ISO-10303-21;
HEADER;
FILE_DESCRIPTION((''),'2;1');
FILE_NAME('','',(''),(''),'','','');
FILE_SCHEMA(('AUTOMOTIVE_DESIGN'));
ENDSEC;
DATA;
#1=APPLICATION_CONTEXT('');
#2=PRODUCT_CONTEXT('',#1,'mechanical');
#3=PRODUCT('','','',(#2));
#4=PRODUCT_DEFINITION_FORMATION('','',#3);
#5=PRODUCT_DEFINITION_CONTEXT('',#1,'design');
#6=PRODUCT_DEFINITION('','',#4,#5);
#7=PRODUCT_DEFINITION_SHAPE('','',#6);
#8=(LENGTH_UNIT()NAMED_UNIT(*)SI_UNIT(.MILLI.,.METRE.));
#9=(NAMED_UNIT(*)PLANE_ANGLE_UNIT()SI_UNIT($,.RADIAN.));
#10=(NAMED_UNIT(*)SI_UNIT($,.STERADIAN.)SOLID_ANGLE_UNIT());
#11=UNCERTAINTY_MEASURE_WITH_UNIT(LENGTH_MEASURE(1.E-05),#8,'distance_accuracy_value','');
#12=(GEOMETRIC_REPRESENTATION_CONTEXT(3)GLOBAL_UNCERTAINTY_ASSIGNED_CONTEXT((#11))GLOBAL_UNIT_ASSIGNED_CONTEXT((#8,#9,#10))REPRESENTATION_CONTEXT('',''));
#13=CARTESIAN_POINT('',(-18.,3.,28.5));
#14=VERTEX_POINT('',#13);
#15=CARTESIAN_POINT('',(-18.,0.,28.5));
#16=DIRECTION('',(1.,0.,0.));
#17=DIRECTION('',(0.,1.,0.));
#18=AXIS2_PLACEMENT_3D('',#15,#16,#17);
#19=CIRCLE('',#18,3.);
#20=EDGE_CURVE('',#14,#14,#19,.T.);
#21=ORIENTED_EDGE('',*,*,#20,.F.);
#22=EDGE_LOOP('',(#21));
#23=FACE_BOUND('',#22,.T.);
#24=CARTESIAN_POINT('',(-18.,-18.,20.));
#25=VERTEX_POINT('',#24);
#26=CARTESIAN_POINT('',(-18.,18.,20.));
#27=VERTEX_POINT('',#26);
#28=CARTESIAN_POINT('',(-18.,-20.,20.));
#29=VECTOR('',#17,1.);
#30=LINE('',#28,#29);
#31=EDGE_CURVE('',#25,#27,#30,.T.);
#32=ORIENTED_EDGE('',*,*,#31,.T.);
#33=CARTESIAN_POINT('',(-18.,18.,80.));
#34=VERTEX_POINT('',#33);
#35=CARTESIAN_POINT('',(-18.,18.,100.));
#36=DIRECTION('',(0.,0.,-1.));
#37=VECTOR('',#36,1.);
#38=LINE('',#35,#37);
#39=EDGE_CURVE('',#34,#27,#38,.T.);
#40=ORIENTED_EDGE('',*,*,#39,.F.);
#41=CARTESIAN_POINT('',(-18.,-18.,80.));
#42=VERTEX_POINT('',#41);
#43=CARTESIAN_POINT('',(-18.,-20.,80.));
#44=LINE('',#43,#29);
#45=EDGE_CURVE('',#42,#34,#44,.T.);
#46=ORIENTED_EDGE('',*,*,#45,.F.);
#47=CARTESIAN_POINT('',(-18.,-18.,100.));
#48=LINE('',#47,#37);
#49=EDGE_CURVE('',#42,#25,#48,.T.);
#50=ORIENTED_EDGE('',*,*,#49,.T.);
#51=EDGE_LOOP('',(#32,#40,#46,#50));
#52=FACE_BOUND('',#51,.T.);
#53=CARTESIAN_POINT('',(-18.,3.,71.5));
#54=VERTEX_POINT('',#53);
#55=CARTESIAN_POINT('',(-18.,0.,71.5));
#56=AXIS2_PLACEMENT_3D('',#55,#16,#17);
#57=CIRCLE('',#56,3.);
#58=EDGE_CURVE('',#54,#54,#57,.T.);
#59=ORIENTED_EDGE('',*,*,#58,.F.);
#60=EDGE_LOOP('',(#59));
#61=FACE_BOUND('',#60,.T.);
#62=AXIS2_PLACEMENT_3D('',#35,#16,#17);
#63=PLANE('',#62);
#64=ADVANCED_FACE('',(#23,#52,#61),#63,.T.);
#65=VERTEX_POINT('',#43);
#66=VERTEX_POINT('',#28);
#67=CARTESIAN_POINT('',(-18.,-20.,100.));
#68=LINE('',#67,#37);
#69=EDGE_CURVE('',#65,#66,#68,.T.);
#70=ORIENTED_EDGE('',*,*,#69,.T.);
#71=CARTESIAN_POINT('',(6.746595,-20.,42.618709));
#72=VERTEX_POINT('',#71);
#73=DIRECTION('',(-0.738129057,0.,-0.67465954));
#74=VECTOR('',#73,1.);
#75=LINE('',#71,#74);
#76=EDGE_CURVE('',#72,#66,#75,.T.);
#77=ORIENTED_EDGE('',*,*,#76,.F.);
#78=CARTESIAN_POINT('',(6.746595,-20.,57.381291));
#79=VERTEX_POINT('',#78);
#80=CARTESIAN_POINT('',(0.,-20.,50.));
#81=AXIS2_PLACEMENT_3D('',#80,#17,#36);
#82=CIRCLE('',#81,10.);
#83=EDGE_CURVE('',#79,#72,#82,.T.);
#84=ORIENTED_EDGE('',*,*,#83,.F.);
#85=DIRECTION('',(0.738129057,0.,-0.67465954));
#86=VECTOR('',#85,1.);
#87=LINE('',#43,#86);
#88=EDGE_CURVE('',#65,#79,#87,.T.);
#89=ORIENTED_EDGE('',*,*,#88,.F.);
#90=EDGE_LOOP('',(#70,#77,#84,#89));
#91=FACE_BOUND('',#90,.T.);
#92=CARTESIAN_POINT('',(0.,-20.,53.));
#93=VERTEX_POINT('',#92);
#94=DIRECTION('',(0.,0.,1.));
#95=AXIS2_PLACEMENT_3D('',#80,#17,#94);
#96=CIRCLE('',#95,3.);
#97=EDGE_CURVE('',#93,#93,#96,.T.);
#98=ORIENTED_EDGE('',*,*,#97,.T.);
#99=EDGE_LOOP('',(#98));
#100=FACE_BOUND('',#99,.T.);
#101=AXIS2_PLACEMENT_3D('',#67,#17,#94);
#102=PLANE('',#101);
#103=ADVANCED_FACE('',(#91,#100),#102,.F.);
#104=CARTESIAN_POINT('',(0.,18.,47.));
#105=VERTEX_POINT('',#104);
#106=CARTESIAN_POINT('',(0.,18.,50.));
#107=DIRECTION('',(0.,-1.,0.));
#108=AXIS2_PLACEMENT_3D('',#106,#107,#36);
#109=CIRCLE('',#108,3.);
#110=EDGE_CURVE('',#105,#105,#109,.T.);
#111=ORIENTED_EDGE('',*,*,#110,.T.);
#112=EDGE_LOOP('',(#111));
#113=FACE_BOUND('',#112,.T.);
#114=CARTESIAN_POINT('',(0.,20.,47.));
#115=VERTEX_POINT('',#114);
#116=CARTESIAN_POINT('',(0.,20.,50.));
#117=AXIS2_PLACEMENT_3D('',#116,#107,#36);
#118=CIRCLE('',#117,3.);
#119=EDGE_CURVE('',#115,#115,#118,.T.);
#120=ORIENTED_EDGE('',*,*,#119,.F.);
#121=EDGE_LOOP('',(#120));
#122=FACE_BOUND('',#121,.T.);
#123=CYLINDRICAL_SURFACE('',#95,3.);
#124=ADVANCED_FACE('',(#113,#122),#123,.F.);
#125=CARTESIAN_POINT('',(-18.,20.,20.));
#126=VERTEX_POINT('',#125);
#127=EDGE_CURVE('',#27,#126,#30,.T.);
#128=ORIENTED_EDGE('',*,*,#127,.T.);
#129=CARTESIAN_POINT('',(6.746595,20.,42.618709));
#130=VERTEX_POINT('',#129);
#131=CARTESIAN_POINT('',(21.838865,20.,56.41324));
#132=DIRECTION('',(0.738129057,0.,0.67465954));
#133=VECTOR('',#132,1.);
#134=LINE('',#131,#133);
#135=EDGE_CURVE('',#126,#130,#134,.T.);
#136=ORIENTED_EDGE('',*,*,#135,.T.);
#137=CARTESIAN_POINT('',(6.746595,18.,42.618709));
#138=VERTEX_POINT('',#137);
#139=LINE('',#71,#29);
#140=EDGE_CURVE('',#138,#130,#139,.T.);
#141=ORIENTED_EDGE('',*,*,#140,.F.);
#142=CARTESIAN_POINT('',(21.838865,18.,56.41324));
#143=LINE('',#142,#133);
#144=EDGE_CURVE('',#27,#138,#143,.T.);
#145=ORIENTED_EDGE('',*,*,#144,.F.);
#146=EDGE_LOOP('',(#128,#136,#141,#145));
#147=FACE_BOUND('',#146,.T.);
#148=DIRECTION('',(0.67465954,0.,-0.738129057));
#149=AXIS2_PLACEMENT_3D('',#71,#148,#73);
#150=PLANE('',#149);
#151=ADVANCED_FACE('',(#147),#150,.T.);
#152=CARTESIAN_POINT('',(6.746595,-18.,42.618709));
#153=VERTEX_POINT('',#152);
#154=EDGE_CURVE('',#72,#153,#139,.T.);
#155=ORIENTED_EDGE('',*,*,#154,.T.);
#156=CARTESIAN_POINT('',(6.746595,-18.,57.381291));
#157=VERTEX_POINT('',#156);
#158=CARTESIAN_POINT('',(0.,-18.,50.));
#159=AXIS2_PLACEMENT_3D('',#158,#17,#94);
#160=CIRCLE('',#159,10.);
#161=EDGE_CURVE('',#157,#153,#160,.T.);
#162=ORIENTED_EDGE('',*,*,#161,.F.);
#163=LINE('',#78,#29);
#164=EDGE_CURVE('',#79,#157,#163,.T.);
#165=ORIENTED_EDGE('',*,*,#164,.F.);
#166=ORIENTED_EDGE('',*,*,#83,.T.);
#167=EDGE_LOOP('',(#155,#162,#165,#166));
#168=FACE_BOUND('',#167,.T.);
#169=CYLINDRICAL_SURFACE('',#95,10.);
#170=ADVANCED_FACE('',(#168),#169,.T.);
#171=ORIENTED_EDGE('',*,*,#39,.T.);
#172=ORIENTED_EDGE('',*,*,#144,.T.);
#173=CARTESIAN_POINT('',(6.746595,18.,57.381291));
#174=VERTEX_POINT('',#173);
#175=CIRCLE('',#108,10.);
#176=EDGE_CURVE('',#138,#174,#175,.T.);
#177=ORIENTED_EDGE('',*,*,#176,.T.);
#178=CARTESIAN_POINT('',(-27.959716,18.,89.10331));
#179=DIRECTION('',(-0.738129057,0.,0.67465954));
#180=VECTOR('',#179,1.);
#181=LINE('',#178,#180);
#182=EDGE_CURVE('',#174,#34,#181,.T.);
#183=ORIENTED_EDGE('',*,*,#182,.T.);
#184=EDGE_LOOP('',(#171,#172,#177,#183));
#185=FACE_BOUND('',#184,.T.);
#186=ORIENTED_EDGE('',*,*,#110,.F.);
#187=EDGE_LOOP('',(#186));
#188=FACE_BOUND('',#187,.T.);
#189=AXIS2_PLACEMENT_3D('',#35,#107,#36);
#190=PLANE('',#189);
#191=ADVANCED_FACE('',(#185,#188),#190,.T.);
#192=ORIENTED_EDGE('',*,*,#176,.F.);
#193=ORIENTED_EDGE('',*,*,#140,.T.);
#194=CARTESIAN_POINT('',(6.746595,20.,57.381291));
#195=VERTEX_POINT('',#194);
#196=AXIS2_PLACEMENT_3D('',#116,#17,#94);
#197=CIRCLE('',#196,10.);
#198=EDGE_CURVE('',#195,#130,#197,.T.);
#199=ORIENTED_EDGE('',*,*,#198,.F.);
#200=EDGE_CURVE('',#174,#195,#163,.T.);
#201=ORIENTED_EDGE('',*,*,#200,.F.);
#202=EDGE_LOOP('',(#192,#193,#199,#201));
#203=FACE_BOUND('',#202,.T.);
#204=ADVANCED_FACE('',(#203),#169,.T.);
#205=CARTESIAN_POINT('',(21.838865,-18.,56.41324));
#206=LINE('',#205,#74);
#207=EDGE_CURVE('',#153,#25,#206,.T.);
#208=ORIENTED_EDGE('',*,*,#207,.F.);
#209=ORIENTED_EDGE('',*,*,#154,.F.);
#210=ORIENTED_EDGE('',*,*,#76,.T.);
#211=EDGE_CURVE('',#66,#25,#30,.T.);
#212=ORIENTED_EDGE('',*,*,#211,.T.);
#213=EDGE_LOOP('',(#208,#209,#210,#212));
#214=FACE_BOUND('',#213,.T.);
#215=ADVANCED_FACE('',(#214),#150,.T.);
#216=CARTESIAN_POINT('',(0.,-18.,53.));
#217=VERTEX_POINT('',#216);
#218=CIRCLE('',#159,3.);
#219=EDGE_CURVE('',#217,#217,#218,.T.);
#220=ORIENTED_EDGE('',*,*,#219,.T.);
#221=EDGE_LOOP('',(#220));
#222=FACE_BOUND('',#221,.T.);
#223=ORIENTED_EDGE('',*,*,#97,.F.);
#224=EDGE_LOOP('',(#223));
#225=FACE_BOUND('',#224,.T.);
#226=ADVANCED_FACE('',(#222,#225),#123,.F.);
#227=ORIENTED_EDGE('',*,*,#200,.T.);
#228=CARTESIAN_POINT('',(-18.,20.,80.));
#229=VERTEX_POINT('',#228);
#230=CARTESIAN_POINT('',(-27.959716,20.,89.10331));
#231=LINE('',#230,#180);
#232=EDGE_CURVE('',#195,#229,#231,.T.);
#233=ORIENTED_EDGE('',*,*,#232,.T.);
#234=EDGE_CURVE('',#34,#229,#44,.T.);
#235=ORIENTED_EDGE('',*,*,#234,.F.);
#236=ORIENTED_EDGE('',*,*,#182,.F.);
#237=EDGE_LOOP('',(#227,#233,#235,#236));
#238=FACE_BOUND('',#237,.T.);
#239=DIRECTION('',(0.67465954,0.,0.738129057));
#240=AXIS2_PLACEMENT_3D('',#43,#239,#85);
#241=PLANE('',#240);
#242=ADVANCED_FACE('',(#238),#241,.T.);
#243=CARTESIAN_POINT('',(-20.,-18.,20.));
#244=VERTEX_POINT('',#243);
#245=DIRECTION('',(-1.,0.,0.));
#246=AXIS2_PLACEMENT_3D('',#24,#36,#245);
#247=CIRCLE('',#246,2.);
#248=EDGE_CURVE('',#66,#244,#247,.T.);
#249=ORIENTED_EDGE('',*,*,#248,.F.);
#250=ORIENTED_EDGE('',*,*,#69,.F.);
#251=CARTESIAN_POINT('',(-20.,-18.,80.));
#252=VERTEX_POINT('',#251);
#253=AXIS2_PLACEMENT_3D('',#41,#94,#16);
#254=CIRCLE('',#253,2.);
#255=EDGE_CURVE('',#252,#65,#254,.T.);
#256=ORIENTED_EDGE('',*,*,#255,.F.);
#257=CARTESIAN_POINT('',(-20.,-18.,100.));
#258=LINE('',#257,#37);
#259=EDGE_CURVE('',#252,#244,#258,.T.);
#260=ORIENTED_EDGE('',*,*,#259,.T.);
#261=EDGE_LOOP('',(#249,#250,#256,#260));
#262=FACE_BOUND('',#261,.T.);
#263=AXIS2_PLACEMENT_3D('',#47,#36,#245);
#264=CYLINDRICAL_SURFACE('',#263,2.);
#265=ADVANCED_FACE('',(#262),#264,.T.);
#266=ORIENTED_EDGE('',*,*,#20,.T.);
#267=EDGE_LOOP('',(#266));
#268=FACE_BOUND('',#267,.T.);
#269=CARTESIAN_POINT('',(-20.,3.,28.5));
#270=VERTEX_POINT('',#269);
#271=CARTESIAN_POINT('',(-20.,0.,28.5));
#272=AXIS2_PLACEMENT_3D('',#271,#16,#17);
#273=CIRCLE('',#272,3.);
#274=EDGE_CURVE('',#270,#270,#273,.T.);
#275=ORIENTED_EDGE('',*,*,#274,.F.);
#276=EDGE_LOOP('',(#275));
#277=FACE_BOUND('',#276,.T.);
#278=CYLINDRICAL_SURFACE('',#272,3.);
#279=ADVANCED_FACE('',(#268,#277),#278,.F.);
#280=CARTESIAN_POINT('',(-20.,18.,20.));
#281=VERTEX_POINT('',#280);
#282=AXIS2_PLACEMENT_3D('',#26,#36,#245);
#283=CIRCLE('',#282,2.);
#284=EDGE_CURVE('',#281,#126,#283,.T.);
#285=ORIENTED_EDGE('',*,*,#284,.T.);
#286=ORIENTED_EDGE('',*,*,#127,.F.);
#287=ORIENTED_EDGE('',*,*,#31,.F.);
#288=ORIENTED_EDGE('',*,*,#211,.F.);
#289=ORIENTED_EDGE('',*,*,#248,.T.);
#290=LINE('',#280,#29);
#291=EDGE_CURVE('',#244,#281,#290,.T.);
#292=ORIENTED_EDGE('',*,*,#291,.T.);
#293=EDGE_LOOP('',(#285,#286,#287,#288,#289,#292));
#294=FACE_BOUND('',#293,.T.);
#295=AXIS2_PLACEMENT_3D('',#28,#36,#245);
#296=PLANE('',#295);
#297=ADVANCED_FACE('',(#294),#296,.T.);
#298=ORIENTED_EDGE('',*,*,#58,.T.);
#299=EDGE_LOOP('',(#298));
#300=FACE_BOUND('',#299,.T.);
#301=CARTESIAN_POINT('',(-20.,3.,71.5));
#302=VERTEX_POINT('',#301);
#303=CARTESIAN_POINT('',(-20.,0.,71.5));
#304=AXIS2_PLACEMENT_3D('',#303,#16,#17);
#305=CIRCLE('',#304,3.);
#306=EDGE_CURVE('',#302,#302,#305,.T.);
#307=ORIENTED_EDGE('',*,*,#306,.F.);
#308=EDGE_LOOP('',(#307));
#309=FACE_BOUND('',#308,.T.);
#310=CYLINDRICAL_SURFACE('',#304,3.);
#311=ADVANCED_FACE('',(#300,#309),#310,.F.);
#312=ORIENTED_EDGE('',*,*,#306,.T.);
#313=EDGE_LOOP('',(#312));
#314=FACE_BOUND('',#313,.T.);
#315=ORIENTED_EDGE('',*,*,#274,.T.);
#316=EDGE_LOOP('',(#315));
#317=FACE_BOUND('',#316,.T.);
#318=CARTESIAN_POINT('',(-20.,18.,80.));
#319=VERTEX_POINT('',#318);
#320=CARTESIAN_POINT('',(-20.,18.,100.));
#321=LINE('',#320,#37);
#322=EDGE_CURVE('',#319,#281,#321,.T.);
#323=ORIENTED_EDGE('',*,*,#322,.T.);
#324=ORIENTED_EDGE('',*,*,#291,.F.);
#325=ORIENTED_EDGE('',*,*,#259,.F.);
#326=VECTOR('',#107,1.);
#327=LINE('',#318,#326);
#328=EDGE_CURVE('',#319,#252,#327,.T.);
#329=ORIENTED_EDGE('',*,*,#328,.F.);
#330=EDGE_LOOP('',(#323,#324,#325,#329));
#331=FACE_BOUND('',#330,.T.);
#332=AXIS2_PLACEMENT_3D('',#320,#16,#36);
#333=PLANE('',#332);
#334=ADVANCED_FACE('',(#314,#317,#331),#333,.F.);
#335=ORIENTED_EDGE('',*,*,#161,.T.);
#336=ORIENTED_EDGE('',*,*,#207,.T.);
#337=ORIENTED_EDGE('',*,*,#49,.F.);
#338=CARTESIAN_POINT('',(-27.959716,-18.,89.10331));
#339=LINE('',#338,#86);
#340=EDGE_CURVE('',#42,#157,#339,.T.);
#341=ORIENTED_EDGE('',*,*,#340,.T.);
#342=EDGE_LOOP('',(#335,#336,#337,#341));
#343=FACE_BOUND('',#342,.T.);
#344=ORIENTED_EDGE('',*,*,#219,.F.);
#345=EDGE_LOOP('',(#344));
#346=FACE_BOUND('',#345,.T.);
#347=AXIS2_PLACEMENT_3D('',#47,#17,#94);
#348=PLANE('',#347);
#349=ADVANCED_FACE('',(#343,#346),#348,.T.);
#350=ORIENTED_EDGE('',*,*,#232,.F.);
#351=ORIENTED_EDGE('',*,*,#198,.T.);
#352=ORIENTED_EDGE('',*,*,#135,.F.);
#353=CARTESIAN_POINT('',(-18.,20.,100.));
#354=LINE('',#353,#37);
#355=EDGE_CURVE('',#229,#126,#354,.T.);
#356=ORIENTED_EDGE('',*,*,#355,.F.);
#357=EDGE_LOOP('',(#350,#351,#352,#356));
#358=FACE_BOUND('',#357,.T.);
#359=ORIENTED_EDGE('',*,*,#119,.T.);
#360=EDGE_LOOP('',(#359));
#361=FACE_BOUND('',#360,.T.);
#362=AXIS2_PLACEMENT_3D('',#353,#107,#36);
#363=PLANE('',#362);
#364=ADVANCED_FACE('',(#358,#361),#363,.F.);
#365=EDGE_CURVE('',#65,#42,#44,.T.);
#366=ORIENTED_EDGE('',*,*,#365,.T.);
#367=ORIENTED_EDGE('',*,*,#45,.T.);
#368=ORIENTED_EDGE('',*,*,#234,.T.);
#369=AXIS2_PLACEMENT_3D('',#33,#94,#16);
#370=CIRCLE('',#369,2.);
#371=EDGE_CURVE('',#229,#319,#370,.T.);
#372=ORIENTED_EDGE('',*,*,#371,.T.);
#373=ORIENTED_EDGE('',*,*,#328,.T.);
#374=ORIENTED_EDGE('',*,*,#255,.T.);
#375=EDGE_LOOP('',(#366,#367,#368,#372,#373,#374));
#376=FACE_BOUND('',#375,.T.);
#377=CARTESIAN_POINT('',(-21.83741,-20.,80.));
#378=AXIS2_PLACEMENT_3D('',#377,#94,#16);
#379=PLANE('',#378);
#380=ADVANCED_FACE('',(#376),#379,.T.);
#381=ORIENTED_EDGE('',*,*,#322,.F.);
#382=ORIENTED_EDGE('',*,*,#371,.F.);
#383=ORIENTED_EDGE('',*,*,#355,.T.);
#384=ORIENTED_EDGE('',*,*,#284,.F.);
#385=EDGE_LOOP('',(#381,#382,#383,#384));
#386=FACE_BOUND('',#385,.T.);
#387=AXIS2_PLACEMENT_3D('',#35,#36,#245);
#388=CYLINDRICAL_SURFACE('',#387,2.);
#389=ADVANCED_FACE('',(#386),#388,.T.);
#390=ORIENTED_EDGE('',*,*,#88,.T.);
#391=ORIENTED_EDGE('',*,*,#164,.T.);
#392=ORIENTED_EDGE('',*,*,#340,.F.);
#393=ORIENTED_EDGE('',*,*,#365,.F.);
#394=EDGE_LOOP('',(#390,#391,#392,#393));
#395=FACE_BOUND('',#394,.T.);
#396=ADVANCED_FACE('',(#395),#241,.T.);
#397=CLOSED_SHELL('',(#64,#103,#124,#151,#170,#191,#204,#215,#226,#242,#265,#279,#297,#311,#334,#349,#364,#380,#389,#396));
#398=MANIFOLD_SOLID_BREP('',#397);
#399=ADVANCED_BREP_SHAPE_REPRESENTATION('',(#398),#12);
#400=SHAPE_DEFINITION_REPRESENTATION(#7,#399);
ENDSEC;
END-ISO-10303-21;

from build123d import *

# Parameters (mm, degrees)
SKETCH_1_W               = 36
SKETCH_1_H               = 36
EXTRUDE_1_DEPTH          = 100
SKETCH_2_R               = 3
CUT_EXTRUDE_1_DEPTH      = 1
CUT_EXTRUDE_1_DEPTH_BACK = 41
SKETCH_3_OUTSIDE_W       = 64.978
SKETCH_3_OUTSIDE_H       = 124.978
CUT_EXTRUDE_2_DEPTH      = 1
CUT_EXTRUDE_2_DEPTH_BACK = 41
SKETCH_4_R               = 3
CUT_EXTRUDE_3_DEPTH      = 29
CUT_EXTRUDE_3_DEPTH_BACK = 3


with BuildPart() as part:
    # Эскиз1 → Бобышка-Вытянуть1 (new body)
    with BuildSketch(Plane.XY):
        with BuildLine():
            Line((-18, 20), (18, 20))
            ThreePointArc((18, 20), (19.414213562, 19.414213562), (20, 18))
            Line((20, 18), (20, -18))
            ThreePointArc((20, -18), (19.414213562, -19.414213562), (18, -20))
            Line((18, -20), (-18, -20))
            ThreePointArc((-18, -20), (-19.414213562, -19.414213562), (-20, -18))
            Line((-20, -18), (-20, 18))
            ThreePointArc((-20, 18), (-19.414213562, 19.414213562), (-18, 20))
        make_face()
        Rectangle(SKETCH_1_W, SKETCH_1_H, mode=Mode.SUBTRACT)
    extrude(amount=EXTRUDE_1_DEPTH)

    # Эскиз2 → Вырез-Вытянуть1 (cut, two sides)
    with BuildSketch(Plane(origin=(0, 20, 0), x_dir=(1, 0, 0), z_dir=(0, 1, 0))) as cut_extrude_1_sk:
        with Locations((0, -50)):
            Circle(SKETCH_2_R)
    extrude(amount=CUT_EXTRUDE_1_DEPTH, mode=Mode.SUBTRACT)
    extrude(cut_extrude_1_sk.sketch, amount=-CUT_EXTRUDE_1_DEPTH_BACK, mode=Mode.SUBTRACT)

    # Эскиз3 outside → Вырез-Вытянуть2 (cut, two sides)
    with BuildSketch(Plane(origin=(0, 20, 0), x_dir=(1, 0, 0), z_dir=(0, 1, 0))) as cut_extrude_2_sk:
        with Locations((0, -50)):
            Rectangle(SKETCH_3_OUTSIDE_W, SKETCH_3_OUTSIDE_H)
        with BuildLine():
            Line((6.746595399, -42.618709427), (-18, -20))
            Line((-18, -20), (-21.837410107, -20))
            Line((-21.837410107, -20), (-21.837410107, -80))
            Line((-21.837410107, -80), (-18, -80))
            Line((-18, -80), (6.746595399, -57.381290573))
            ThreePointArc((6.746595399, -57.381290573), (10, -50), (6.746595399, -42.618709427))
        make_face(mode=Mode.SUBTRACT)
    extrude(amount=CUT_EXTRUDE_2_DEPTH, mode=Mode.SUBTRACT)
    extrude(cut_extrude_2_sk.sketch, amount=-CUT_EXTRUDE_2_DEPTH_BACK, mode=Mode.SUBTRACT)

    # Эскиз4 → Вырез-Вытянуть3 (cut, two sides)
    with BuildSketch(Plane(origin=(-18, 0, 0), x_dir=(0, 0, -1), z_dir=(1, 0, 0))) as cut_extrude_3_sk:
        with Locations((-71.5, 0)):
            Circle(SKETCH_4_R)
        with Locations((-28.5, 0)):
            Circle(SKETCH_4_R)
    extrude(amount=CUT_EXTRUDE_3_DEPTH, mode=Mode.SUBTRACT)
    extrude(cut_extrude_3_sk.sketch, amount=-CUT_EXTRUDE_3_DEPTH_BACK, mode=Mode.SUBTRACT)


solid = part.part
